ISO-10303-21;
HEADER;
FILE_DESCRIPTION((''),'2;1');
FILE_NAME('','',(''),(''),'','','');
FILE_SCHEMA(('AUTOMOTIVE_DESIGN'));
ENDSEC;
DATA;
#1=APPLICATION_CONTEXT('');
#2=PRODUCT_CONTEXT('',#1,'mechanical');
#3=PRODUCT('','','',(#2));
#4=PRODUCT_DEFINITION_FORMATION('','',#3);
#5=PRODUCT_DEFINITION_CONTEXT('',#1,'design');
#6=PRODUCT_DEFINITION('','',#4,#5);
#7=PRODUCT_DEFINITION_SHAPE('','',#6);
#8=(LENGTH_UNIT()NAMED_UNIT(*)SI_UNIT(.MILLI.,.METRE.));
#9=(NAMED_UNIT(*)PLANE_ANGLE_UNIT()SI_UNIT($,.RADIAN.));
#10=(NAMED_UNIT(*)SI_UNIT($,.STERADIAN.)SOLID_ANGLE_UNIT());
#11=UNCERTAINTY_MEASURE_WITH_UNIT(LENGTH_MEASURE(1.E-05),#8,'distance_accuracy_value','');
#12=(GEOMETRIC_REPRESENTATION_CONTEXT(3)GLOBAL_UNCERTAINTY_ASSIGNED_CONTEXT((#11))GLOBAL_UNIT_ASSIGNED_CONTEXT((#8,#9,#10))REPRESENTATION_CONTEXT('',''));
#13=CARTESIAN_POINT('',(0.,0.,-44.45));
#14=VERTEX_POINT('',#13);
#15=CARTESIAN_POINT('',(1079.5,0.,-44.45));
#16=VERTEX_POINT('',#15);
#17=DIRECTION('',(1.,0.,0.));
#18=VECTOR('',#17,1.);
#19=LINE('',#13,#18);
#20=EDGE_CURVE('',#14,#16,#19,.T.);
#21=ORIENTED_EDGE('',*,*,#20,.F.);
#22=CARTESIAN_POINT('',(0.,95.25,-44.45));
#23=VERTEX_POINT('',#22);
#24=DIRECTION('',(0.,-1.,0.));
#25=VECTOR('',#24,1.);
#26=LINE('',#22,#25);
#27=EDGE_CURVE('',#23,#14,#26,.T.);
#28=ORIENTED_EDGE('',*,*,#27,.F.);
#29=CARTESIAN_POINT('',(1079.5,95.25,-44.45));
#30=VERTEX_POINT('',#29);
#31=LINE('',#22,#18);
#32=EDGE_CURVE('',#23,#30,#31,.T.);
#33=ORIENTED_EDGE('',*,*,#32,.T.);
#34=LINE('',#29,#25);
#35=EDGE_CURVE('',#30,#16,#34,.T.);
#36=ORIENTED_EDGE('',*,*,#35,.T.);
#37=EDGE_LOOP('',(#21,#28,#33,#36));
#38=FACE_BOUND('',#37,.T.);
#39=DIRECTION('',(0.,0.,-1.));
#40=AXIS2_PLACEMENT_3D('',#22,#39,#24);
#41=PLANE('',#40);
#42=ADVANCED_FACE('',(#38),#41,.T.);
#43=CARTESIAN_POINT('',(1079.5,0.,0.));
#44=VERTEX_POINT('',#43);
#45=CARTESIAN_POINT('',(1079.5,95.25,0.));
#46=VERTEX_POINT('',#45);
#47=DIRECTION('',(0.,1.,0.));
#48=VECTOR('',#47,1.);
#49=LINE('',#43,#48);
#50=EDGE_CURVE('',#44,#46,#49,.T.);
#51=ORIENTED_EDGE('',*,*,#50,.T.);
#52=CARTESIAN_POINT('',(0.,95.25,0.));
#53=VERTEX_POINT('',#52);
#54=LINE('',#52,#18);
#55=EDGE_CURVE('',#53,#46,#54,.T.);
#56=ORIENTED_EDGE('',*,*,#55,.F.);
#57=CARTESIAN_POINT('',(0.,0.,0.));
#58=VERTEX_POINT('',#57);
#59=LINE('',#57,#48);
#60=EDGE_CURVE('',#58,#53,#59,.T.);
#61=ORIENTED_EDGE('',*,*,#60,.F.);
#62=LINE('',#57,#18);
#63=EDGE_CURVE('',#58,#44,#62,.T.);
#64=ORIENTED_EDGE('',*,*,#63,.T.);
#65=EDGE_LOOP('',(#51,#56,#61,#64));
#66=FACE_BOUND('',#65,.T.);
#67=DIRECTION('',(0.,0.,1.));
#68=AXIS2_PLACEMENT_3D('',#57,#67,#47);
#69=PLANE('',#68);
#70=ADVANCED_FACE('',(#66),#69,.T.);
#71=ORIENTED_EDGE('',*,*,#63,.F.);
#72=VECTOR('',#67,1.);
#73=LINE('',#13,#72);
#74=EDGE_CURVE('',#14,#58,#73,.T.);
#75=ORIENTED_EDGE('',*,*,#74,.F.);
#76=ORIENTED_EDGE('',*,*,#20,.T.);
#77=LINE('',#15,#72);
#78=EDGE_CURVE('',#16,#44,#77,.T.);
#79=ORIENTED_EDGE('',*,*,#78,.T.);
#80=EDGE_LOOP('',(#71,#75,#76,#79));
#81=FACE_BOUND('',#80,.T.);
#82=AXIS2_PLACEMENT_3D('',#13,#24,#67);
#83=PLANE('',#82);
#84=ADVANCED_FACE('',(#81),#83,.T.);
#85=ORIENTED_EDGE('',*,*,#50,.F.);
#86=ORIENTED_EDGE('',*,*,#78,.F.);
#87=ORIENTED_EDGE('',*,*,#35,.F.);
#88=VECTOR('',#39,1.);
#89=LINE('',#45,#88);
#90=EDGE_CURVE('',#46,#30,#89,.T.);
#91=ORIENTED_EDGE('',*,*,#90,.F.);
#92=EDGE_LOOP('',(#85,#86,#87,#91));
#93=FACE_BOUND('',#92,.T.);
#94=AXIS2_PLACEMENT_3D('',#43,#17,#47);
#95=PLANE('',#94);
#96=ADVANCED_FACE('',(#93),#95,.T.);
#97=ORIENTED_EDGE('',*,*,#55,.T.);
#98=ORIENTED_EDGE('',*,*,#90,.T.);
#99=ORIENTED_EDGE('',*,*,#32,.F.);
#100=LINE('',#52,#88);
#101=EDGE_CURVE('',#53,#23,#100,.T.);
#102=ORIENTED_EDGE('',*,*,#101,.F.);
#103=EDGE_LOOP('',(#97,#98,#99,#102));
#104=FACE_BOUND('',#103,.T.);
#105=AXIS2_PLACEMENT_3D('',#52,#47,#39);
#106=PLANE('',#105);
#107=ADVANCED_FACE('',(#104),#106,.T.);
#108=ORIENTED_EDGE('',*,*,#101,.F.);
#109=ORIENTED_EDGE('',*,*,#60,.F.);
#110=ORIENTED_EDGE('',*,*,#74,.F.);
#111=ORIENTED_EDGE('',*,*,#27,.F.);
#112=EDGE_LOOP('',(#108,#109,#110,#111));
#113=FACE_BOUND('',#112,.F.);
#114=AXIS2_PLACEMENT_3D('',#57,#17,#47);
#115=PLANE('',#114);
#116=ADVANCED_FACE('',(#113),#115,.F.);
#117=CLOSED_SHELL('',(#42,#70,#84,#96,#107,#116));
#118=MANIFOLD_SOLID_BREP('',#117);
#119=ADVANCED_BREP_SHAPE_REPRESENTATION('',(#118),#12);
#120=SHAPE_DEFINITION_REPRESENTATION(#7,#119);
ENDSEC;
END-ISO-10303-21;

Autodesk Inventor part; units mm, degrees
ref_plane "YZ Plane" through (0, 0, 0) normal (1, 0, 0) x (0, 1, 0)
ref_plane "XZ Plane" through (0, 0, 0) normal (0, 1, 0) x (-1, 0, 0)
ref_plane "XY Plane" through (0, 0, 0) normal (0, 0, 1) x (1, 0, 0)
sketch "Sketch1" plane through (0, 0, 0) normal (1, 0, 0) x (0, 1, 0)
  line L0 (0, 0) -> (95.25, 0)
  line L1 (95.25, 0) -> (95.25, -44.45)
  line L2 (95.25, -44.45) -> (0, -44.45)
  line L3 (0, -44.45) -> (0, 0)
  dimension "d0" = 44.45
  dimension "d1" = 95.25
extrude "Extrusion1" add sketch "Sketch1" along normal blind 1079.5
properties part number "2x4x42.5"
